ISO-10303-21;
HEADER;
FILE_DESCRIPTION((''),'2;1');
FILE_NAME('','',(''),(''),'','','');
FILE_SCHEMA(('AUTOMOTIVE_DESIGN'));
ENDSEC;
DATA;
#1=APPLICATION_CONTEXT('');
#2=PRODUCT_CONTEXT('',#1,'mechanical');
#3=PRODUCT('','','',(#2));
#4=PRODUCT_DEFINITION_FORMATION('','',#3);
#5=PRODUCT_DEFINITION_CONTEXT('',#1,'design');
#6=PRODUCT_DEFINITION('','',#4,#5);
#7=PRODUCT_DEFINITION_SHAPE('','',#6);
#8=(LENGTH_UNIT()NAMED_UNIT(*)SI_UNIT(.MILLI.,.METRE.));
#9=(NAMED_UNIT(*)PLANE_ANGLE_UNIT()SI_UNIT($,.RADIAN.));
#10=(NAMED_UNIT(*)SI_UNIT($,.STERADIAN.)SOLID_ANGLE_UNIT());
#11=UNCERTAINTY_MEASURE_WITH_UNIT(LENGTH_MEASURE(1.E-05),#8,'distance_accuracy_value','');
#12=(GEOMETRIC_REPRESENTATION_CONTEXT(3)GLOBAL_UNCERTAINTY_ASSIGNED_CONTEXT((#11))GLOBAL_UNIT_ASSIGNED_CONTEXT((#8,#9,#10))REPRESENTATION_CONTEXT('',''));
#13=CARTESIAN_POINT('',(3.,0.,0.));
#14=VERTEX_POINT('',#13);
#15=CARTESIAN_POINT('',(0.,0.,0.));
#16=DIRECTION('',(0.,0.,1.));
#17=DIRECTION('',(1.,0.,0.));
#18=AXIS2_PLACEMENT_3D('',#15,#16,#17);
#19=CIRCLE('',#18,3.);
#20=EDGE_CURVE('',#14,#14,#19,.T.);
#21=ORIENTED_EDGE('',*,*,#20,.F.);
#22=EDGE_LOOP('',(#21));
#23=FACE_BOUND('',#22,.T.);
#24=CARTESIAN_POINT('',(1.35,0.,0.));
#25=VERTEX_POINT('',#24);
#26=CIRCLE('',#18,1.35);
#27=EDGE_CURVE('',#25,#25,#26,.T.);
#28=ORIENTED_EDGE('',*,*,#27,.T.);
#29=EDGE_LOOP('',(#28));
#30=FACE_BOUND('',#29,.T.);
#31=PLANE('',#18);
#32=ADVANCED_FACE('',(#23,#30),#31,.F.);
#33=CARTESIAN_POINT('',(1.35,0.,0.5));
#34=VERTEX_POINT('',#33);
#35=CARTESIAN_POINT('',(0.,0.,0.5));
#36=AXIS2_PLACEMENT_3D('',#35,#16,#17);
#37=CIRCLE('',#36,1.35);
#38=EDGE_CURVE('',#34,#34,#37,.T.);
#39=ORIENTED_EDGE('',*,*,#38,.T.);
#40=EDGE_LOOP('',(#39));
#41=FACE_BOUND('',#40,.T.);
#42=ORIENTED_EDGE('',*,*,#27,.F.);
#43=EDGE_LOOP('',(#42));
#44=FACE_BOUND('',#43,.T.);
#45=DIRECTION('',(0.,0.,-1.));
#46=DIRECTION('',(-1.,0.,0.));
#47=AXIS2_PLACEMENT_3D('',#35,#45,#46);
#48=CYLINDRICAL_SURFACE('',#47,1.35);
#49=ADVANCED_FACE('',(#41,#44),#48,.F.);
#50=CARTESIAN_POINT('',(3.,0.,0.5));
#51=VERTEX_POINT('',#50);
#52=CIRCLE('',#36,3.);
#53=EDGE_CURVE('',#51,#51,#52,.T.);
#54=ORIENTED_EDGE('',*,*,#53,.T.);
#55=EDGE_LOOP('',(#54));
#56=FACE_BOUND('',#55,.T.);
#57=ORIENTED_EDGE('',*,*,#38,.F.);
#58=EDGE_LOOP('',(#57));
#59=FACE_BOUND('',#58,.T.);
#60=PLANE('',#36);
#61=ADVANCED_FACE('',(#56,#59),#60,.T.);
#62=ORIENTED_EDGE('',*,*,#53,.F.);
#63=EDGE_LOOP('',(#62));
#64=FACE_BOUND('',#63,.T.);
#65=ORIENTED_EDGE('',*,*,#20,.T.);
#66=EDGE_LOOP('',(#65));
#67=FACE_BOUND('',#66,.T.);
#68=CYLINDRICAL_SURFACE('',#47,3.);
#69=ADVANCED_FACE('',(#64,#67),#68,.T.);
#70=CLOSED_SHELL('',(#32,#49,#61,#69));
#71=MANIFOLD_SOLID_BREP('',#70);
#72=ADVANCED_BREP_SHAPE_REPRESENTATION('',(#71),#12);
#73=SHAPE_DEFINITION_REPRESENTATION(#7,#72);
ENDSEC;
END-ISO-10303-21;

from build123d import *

# Parameters (mm, degrees)
SKETCH1_R           = 3
SKETCH1_R_2         = 1.35
BOSS_EXTRUDE1_DEPTH = 0.5


with BuildPart() as part:
    # Sketch1 → Boss-Extrude1 (new body)
    with BuildSketch(Plane.XY):
        Circle(SKETCH1_R)
        Circle(SKETCH1_R_2, mode=Mode.SUBTRACT)
    extrude(amount=BOSS_EXTRUDE1_DEPTH)


solid = part.part
